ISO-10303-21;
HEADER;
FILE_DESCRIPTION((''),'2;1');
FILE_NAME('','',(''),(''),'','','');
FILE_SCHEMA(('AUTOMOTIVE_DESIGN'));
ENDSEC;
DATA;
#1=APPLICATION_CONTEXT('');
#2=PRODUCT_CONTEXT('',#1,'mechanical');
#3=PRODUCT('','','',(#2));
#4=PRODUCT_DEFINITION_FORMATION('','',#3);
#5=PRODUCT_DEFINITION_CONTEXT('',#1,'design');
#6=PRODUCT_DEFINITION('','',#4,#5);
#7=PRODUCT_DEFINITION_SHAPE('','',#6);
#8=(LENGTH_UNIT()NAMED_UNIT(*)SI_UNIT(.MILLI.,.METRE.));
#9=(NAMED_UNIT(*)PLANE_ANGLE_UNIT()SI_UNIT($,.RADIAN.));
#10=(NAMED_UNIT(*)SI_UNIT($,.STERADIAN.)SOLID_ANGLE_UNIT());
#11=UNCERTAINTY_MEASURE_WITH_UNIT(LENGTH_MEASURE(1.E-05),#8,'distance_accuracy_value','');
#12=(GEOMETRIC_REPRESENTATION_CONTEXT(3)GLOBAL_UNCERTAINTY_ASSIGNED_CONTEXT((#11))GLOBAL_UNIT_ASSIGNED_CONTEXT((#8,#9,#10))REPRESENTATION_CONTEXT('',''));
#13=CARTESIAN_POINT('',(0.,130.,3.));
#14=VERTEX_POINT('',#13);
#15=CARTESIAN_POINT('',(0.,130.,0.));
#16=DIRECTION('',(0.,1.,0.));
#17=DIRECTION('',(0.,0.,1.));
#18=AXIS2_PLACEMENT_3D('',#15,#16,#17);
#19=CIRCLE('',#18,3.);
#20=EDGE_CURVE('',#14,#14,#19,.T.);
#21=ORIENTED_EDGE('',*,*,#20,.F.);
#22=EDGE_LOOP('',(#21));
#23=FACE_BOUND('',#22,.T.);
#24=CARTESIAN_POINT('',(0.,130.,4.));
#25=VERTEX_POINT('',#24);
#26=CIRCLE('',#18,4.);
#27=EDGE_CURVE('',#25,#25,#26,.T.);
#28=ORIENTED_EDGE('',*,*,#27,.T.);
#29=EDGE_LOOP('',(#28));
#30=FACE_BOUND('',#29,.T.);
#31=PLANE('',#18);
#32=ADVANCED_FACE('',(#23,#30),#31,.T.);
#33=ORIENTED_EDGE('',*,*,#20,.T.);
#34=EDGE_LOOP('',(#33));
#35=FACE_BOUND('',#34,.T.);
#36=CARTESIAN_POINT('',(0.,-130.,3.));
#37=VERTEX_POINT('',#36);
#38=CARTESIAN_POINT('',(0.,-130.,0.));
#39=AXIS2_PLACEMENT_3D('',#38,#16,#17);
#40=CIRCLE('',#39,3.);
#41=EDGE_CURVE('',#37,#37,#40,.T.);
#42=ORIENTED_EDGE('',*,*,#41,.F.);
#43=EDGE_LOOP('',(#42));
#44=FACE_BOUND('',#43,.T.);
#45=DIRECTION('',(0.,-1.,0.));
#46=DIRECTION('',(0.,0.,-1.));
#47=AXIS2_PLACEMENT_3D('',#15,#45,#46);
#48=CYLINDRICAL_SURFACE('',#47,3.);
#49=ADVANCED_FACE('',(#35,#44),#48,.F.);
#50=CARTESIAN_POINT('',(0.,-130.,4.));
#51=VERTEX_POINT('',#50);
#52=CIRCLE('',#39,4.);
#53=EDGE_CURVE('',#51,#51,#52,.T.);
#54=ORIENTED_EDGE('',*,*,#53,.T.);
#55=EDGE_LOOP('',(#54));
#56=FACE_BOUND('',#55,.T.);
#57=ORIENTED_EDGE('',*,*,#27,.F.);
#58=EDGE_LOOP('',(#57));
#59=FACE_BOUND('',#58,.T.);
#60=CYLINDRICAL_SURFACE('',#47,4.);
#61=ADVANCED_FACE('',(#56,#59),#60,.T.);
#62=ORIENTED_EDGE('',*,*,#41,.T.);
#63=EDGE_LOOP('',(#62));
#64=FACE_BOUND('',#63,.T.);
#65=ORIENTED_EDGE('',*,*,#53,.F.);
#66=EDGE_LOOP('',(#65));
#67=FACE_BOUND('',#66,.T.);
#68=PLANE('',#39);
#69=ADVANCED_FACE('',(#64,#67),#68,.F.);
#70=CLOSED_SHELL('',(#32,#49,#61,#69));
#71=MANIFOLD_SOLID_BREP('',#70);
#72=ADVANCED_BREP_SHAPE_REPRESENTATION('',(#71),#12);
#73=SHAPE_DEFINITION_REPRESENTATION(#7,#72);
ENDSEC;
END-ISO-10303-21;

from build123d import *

# Parameters (mm, degrees)
SKETCH_1_R      = 4
SKETCH_1_R_2    = 3
EXTRUDE_1_DEPTH = 130


with BuildPart() as part:
    # 草图1 → 凸台-拉伸1 (new, symmetric)
    with BuildSketch(Plane(origin=(0, 0, 0), x_dir=(1, 0, 0), z_dir=(0, 1, 0))):
        with Locations(Location((0, 0, 0), (0, 0, 270))):
            Circle(SKETCH_1_R)
        with Locations(Location((0, 0, 0), (0, 0, 270))):
            Circle(SKETCH_1_R_2, mode=Mode.SUBTRACT)
    extrude(amount=EXTRUDE_1_DEPTH, both=True)


solid = part.part
